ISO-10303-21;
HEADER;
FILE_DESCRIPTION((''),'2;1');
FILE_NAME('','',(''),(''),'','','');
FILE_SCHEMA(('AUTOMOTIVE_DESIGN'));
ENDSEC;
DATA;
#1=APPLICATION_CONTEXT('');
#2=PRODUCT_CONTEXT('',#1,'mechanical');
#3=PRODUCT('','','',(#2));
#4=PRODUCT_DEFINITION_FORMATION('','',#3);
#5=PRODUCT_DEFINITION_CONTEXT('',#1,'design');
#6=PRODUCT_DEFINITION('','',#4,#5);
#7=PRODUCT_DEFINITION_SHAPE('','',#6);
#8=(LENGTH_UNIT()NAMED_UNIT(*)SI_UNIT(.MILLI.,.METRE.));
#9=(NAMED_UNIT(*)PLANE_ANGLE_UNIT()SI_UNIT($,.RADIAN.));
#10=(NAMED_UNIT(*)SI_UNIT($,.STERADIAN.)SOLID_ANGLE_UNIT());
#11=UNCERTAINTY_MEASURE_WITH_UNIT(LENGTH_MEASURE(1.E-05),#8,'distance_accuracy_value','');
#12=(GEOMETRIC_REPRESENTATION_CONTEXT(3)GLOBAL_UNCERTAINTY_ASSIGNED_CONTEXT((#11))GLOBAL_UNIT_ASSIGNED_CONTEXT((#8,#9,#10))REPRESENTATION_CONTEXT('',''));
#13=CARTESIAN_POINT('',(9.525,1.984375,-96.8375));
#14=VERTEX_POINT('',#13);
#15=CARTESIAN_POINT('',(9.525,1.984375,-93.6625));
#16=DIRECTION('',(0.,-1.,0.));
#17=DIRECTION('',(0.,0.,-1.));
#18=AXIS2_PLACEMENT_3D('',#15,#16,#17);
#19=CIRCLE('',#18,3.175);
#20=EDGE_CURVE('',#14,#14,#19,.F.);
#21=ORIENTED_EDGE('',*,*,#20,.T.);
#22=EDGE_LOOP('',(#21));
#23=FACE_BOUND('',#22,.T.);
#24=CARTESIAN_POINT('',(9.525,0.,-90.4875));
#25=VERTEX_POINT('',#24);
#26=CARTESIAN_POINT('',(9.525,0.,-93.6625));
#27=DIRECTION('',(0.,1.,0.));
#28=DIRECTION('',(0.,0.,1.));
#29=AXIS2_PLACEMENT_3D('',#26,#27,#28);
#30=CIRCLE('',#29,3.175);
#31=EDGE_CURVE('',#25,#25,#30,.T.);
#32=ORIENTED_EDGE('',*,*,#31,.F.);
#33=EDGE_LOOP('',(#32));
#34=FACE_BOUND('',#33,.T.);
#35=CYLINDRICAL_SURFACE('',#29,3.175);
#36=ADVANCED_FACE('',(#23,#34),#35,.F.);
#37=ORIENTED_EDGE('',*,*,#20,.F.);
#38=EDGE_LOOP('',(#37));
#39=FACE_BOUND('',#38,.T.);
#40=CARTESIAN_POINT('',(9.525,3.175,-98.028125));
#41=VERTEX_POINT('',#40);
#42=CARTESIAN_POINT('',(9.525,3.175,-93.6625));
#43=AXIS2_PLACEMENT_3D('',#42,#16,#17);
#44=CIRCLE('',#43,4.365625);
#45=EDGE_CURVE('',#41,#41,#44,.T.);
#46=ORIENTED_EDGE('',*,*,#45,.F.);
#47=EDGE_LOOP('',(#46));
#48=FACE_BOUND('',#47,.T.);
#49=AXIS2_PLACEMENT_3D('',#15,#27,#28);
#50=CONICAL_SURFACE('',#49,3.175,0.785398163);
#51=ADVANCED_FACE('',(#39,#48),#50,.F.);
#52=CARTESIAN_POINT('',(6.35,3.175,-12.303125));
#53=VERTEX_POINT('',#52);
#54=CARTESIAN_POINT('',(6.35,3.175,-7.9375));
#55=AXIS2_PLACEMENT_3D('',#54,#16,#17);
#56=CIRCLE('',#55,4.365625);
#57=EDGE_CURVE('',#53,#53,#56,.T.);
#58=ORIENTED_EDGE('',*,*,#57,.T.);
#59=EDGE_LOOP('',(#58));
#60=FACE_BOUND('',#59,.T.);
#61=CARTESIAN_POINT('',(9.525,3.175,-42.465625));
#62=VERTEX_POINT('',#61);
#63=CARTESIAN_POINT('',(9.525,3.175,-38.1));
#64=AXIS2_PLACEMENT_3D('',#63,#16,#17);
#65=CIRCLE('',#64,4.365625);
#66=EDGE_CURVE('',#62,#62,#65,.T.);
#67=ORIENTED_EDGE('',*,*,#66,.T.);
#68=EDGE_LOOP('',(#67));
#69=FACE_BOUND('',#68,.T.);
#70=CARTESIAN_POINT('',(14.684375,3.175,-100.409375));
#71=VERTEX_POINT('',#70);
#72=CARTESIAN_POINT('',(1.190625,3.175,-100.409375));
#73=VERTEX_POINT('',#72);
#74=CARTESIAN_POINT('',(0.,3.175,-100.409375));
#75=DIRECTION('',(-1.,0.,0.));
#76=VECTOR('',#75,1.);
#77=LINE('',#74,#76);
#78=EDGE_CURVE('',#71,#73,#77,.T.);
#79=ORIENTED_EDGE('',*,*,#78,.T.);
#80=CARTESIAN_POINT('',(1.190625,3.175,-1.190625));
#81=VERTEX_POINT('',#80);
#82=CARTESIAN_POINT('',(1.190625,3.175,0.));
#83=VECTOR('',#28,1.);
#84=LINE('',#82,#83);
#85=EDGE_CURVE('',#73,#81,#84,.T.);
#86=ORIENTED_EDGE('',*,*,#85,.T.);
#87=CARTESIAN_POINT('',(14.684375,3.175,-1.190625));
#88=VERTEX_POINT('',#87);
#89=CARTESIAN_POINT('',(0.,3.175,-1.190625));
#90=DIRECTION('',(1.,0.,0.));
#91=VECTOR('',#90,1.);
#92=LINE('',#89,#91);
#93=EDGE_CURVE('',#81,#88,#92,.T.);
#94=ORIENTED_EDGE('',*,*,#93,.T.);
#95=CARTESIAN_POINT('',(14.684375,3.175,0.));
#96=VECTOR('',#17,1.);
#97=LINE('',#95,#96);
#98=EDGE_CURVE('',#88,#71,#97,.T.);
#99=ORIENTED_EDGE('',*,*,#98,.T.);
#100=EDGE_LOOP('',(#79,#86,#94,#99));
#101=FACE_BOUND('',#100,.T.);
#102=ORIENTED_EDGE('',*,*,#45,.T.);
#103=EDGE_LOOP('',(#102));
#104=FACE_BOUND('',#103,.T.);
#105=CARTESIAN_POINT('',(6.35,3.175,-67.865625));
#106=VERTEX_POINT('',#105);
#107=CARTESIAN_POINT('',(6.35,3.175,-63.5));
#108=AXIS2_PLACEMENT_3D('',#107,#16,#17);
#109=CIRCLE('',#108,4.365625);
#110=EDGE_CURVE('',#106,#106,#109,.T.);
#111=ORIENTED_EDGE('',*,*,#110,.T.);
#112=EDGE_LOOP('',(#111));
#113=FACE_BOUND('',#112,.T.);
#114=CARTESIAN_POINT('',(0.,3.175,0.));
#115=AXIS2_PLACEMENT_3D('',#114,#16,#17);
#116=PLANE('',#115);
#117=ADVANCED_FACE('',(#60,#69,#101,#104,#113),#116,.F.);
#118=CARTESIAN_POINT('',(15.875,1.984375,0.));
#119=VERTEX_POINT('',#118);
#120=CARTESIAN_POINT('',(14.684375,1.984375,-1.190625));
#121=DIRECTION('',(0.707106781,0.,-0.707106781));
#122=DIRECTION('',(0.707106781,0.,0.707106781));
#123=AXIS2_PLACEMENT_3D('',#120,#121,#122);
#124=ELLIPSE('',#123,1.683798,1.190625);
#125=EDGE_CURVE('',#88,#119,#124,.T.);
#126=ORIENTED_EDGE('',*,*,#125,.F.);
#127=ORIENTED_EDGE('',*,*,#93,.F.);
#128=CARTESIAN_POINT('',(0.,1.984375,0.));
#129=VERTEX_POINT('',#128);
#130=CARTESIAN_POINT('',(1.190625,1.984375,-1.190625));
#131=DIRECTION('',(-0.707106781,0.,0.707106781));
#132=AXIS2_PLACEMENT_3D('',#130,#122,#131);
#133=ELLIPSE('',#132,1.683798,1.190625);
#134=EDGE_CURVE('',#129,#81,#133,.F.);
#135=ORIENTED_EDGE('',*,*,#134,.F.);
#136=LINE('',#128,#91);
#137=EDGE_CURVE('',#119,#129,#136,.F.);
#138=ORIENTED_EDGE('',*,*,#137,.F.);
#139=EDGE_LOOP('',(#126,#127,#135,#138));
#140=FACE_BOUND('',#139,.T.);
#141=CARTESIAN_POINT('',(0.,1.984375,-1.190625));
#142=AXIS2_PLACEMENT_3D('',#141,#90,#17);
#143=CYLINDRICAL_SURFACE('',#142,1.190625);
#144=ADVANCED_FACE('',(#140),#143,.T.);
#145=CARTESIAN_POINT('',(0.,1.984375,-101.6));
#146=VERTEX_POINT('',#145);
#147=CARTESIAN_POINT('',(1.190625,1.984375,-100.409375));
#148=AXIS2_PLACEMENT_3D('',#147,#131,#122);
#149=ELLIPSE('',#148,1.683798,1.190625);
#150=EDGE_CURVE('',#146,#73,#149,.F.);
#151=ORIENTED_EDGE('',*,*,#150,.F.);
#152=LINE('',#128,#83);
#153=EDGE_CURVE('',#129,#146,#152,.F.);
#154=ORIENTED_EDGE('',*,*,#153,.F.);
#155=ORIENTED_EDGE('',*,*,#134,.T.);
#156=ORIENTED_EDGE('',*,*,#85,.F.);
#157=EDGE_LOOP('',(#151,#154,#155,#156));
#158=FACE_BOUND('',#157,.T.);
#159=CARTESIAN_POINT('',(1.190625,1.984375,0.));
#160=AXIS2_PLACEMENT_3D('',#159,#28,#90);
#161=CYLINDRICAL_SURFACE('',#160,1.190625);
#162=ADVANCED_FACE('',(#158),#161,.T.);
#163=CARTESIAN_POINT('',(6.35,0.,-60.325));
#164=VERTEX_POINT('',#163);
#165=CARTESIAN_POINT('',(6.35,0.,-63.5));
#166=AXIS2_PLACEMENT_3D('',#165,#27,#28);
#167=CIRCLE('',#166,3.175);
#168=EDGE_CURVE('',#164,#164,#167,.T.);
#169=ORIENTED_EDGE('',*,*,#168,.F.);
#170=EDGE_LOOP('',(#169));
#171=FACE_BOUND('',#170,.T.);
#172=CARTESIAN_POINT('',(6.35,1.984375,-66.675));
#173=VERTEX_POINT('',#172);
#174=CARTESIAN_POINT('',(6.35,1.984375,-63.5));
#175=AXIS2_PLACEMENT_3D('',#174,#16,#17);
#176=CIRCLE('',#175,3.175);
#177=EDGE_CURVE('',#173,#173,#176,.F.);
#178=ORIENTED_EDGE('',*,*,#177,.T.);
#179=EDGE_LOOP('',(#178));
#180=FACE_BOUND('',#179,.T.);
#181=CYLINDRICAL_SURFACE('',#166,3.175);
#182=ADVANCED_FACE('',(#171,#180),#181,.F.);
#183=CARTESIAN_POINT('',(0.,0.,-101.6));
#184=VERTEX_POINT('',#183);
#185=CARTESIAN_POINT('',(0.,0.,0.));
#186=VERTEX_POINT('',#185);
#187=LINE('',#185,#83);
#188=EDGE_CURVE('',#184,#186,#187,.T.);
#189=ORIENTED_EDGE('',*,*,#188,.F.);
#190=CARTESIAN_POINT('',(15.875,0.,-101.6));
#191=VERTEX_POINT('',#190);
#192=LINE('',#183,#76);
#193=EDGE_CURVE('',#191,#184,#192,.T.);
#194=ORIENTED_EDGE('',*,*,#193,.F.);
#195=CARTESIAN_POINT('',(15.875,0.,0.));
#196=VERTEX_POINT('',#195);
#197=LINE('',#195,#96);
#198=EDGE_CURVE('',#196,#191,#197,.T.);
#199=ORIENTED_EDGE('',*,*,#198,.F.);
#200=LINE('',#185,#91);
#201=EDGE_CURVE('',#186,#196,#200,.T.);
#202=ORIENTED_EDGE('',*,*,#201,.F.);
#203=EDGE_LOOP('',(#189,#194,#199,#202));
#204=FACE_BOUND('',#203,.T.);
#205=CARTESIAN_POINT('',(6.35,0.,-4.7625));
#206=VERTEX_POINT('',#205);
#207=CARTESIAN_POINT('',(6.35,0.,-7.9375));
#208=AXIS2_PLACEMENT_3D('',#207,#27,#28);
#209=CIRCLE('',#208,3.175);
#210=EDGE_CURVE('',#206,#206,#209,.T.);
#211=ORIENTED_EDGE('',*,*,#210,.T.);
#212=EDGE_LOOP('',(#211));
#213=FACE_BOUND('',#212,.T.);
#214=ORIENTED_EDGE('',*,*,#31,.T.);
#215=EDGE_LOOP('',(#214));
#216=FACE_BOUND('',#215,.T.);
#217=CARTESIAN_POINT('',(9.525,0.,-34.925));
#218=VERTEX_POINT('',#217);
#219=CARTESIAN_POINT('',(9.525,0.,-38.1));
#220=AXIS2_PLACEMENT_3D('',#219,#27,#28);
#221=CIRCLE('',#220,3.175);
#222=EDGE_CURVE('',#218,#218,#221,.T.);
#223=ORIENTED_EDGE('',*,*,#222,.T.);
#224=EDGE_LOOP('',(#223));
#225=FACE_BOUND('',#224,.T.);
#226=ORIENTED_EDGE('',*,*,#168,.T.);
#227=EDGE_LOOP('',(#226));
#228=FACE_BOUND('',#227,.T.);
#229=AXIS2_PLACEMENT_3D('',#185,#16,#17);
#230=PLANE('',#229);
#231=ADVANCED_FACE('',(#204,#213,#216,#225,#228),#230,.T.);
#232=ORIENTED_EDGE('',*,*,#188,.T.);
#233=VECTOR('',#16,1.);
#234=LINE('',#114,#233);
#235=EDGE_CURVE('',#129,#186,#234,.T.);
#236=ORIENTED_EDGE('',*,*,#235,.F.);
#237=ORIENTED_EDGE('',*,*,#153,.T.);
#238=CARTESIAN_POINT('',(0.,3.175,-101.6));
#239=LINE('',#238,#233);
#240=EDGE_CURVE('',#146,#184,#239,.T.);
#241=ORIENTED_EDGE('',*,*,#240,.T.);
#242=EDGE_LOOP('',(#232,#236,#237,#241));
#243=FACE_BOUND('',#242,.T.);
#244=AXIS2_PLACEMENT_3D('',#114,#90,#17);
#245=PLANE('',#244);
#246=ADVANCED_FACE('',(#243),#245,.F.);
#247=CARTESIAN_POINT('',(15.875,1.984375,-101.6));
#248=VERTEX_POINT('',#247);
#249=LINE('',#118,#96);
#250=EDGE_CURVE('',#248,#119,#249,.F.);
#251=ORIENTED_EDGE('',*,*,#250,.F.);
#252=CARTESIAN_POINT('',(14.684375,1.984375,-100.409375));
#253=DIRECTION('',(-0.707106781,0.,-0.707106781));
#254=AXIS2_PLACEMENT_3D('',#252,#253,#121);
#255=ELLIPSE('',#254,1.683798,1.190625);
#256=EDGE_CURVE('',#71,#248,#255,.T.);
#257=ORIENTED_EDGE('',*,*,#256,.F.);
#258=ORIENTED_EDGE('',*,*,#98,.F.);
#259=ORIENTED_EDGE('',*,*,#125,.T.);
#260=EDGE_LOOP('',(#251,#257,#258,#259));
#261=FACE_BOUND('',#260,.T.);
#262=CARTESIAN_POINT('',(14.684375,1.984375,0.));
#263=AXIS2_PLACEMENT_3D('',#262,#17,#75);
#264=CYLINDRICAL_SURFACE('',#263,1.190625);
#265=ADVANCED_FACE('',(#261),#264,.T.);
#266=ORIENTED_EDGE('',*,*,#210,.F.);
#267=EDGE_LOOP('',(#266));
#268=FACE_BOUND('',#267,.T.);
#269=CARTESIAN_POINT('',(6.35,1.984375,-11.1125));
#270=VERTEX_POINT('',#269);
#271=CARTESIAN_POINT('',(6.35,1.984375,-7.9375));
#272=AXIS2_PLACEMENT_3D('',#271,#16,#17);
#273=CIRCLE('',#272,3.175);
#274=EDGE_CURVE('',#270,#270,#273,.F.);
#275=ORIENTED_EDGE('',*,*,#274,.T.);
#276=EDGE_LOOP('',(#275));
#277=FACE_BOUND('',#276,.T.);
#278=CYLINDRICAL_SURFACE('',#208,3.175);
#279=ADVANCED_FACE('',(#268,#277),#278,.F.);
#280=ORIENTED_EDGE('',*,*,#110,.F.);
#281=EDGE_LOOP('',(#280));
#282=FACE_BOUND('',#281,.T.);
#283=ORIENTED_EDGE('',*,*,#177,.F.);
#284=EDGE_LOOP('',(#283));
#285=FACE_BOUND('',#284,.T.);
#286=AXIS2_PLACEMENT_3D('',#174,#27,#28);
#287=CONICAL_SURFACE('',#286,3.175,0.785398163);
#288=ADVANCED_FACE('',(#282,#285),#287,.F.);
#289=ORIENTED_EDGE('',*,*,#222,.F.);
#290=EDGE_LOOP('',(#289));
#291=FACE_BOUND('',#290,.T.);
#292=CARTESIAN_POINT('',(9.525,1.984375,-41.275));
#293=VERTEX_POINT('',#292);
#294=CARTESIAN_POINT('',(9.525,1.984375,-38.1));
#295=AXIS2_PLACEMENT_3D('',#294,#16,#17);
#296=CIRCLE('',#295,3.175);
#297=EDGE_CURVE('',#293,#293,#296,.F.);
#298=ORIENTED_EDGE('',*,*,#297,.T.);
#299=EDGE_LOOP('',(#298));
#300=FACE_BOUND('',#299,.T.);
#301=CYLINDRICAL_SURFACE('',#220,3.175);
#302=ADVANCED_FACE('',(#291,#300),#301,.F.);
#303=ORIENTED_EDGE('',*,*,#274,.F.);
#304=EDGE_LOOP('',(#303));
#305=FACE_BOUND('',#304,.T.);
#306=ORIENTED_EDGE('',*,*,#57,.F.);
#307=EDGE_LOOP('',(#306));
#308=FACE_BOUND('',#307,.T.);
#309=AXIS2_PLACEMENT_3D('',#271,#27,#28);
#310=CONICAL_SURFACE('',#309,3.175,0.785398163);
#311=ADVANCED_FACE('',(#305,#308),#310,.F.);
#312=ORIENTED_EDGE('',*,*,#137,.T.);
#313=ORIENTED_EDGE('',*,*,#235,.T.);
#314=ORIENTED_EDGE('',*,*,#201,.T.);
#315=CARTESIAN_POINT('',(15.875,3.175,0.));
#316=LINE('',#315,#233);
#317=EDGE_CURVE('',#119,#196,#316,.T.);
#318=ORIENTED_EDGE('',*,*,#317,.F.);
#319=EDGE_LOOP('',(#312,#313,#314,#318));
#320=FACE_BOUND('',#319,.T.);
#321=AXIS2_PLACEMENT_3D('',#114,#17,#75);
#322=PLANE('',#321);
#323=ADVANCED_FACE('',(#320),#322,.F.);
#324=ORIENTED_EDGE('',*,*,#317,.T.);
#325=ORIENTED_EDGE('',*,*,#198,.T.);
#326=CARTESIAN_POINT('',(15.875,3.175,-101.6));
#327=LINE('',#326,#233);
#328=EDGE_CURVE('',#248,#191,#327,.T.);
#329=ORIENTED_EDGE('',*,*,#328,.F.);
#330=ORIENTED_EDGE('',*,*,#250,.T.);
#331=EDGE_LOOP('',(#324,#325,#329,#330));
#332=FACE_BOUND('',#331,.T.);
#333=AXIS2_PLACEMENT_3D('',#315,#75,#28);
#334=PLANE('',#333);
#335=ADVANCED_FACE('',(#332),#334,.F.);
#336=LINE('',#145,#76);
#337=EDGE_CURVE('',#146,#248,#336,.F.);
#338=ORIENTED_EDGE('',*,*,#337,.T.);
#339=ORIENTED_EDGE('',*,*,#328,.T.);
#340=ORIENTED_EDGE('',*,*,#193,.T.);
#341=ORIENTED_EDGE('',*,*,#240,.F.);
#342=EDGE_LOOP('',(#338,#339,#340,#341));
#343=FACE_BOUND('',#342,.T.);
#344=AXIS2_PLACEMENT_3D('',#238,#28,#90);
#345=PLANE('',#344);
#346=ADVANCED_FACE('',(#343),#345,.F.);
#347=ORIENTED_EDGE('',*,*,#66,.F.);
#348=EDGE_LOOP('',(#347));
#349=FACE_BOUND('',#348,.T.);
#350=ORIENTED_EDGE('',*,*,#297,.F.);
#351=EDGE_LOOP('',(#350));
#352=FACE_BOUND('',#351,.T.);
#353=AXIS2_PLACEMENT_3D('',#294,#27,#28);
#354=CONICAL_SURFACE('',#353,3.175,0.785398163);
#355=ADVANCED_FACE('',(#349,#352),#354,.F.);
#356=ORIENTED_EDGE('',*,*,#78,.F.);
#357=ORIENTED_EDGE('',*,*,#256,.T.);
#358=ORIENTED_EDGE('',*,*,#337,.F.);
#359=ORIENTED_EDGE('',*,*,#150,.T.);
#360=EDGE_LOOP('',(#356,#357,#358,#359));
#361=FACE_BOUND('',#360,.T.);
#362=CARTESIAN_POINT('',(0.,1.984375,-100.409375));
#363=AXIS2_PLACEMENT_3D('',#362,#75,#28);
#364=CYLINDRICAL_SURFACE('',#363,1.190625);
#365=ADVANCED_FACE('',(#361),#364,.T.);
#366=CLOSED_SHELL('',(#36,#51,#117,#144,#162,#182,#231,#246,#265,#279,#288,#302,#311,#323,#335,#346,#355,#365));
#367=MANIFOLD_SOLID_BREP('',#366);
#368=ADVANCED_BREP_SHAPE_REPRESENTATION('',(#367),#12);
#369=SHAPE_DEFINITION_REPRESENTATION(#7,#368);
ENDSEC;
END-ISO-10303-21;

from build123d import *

# Parameters (mm, degrees)
SKETCH1_W           = 15.875
SKETCH1_H           = 101.6
BOSS_EXTRUDE1_DEPTH = 3.175
SKETCH2_R           = 3.175
CUT_EXTRUDE1_DEPTH  = 103.881758587
CHAMFER1_SIZE       = 1.190625
FILLET1_R           = 1.190625


with BuildPart() as part:
    # Sketch1 → Boss-Extrude1 (new body)
    with BuildSketch(Plane(origin=(0, 0, 0), x_dir=(1, 0, 0), z_dir=(0, 1, 0))):
        with Locations((7.9375, 50.8)):
            Rectangle(SKETCH1_W, SKETCH1_H)
    extrude(amount=BOSS_EXTRUDE1_DEPTH)

    # Sketch2 → Cut-Extrude1 (cut, through all)
    with BuildSketch(Plane(origin=(0, 3.175, 0), x_dir=(1, 0, 0), z_dir=(0, 1, 0))):
        with Locations(Location((6.35, 63.5, 0), (0, 0, 270))):
            Circle(SKETCH2_R)
        with Locations(Location((9.525, 93.6625, 0), (0, 0, 270))):
            Circle(SKETCH2_R)
        with Locations(Location((9.525, 38.1, 0), (0, 0, 270))):
            Circle(SKETCH2_R)
        with Locations(Location((6.35, 7.9375, 0), (0, 0, 270))):
            Circle(SKETCH2_R)
    extrude(amount=-CUT_EXTRUDE1_DEPTH, mode=Mode.SUBTRACT)

    # Chamfer1
    chamfer1_edges = [part.edges().sort_by_distance(p)[0] for p in [
        (6.35, 3.175, -66.675),
        (9.525, 3.175, -96.8375),
        (9.525, 3.175, -41.275),
        (6.35, 3.175, -11.1125),
    ]]
    chamfer(chamfer1_edges, length=CHAMFER1_SIZE)

    # Fillet1
    fillet1_edges = [part.edges().sort_by_distance(p)[0] for p in [
        (15.875, 3.175, -50.8),
        (7.9375, 3.175, -101.6),
        (0, 3.175, -50.8),
        (7.9375, 3.175, 0),
    ]]
    fillet(fillet1_edges, radius=FILLET1_R)


solid = part.part
